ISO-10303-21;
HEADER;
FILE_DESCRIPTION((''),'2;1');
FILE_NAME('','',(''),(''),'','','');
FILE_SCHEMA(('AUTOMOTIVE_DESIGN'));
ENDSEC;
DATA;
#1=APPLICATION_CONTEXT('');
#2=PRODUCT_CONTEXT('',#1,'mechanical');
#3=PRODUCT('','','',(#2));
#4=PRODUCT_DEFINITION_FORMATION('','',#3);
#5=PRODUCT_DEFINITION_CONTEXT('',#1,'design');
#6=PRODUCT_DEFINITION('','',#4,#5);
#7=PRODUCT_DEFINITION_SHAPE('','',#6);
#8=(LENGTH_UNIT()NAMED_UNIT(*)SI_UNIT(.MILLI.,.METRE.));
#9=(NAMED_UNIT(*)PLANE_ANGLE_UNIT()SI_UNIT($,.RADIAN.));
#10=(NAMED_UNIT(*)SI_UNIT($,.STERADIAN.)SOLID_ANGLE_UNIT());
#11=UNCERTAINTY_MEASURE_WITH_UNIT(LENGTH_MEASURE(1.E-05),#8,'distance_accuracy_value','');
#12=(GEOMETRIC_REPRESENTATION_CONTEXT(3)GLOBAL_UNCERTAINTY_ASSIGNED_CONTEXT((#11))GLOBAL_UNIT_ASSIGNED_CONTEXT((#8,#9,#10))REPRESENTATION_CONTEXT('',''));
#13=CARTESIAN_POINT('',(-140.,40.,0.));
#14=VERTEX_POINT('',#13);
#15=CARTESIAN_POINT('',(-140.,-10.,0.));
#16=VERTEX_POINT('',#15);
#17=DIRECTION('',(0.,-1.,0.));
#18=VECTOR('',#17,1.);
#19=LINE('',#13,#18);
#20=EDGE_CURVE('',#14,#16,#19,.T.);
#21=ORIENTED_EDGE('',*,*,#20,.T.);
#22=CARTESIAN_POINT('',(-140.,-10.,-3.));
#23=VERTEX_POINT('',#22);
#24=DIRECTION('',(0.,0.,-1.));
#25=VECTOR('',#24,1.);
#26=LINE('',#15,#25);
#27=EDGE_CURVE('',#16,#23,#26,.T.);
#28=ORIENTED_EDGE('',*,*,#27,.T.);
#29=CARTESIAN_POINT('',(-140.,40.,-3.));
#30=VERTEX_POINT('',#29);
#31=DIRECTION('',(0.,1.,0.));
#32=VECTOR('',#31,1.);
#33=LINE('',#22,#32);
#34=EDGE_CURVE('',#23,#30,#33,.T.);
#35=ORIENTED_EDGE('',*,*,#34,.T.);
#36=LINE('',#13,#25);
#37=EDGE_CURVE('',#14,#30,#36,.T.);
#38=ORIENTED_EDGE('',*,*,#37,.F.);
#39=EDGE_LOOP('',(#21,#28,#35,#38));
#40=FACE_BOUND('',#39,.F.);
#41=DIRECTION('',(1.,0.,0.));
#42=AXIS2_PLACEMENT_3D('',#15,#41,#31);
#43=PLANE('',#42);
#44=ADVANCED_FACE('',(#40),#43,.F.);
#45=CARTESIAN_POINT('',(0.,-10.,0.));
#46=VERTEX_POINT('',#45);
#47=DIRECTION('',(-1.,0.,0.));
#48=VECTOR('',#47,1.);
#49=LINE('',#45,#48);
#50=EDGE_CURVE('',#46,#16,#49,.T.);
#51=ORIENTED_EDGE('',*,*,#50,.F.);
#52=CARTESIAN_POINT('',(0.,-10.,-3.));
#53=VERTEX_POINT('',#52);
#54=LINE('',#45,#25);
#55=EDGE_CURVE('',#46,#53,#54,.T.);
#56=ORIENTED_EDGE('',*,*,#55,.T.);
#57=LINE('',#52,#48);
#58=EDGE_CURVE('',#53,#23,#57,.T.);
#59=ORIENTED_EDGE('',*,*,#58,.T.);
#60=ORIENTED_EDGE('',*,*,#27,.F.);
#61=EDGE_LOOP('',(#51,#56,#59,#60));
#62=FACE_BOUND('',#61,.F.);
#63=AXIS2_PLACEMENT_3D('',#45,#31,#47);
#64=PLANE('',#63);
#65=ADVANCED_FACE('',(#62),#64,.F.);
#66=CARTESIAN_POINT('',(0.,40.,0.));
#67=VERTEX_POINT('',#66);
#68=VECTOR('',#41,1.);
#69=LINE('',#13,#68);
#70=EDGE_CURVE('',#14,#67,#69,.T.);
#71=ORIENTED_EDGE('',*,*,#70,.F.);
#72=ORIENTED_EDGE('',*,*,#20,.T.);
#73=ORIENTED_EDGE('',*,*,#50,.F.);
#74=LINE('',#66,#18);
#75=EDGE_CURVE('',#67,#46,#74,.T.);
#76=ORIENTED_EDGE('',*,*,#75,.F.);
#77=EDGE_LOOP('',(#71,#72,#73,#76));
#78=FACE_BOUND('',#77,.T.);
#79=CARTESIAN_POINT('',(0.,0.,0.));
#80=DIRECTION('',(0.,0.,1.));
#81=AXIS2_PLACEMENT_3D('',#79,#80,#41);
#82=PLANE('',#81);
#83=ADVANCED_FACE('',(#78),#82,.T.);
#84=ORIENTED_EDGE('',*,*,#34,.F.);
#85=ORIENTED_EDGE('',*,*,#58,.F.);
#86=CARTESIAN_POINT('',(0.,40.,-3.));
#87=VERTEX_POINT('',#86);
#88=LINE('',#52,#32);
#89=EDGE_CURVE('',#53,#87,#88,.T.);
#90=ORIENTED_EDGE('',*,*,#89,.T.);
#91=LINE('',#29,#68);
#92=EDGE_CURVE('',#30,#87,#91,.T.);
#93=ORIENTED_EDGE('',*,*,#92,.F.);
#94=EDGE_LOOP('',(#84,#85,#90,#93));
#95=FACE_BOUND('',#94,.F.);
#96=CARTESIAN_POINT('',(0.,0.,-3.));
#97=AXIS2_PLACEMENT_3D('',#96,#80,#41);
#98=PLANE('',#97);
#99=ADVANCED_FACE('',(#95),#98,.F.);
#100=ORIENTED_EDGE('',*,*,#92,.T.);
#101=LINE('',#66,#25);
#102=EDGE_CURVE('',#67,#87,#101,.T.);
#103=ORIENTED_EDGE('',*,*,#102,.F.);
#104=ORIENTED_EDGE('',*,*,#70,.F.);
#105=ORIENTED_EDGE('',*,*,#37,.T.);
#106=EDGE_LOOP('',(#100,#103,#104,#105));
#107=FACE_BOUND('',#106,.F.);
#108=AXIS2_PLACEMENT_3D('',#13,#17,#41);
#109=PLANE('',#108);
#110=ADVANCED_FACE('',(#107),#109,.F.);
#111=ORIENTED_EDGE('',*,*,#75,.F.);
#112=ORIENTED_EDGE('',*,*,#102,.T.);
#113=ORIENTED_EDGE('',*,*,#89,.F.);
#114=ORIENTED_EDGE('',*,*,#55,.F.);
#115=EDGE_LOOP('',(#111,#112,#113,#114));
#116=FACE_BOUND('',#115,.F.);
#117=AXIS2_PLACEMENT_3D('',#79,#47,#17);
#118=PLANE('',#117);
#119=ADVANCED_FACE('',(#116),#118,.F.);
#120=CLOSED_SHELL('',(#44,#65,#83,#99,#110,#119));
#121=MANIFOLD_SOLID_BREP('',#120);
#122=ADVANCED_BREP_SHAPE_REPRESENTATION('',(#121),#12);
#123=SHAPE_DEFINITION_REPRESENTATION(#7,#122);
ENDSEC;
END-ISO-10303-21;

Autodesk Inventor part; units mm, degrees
ref_plane "YZ Plane" through (0, 0, 0) normal (1, 0, 0) x (0, 1, 0)
ref_plane "XZ Plane" through (0, 0, 0) normal (0, 1, 0) x (-1, 0, 0)
ref_plane "XY Plane" through (0, 0, 0) normal (0, 0, 1) x (1, 0, 0)
sketch "Sketch1" plane through (0, 0, 0) normal (0, 0, 1) x (1, 0, 0)
  line L0 (0, 0) -> (-140, 0)
  line L1 (-140, 0) -> (-140, 40)
  line L2 (-140, 40) -> (0, 40)
  line L3 (0, 40) -> (0, 0)
  line L4 (-140, 0) -> (0, 0)
  line L5 (0, 0) -> (0, -10)
  line L6 (0, -10) -> (-140, -10)
  line L7 (-140, -10) -> (-140, 0)
  dimension "d0" = 140
  dimension "d1" = 40
  dimension "d2" = 10
extrude "Extrusion1" add sketch "Sketch1" against normal blind 3
properties part number "achterruit"
